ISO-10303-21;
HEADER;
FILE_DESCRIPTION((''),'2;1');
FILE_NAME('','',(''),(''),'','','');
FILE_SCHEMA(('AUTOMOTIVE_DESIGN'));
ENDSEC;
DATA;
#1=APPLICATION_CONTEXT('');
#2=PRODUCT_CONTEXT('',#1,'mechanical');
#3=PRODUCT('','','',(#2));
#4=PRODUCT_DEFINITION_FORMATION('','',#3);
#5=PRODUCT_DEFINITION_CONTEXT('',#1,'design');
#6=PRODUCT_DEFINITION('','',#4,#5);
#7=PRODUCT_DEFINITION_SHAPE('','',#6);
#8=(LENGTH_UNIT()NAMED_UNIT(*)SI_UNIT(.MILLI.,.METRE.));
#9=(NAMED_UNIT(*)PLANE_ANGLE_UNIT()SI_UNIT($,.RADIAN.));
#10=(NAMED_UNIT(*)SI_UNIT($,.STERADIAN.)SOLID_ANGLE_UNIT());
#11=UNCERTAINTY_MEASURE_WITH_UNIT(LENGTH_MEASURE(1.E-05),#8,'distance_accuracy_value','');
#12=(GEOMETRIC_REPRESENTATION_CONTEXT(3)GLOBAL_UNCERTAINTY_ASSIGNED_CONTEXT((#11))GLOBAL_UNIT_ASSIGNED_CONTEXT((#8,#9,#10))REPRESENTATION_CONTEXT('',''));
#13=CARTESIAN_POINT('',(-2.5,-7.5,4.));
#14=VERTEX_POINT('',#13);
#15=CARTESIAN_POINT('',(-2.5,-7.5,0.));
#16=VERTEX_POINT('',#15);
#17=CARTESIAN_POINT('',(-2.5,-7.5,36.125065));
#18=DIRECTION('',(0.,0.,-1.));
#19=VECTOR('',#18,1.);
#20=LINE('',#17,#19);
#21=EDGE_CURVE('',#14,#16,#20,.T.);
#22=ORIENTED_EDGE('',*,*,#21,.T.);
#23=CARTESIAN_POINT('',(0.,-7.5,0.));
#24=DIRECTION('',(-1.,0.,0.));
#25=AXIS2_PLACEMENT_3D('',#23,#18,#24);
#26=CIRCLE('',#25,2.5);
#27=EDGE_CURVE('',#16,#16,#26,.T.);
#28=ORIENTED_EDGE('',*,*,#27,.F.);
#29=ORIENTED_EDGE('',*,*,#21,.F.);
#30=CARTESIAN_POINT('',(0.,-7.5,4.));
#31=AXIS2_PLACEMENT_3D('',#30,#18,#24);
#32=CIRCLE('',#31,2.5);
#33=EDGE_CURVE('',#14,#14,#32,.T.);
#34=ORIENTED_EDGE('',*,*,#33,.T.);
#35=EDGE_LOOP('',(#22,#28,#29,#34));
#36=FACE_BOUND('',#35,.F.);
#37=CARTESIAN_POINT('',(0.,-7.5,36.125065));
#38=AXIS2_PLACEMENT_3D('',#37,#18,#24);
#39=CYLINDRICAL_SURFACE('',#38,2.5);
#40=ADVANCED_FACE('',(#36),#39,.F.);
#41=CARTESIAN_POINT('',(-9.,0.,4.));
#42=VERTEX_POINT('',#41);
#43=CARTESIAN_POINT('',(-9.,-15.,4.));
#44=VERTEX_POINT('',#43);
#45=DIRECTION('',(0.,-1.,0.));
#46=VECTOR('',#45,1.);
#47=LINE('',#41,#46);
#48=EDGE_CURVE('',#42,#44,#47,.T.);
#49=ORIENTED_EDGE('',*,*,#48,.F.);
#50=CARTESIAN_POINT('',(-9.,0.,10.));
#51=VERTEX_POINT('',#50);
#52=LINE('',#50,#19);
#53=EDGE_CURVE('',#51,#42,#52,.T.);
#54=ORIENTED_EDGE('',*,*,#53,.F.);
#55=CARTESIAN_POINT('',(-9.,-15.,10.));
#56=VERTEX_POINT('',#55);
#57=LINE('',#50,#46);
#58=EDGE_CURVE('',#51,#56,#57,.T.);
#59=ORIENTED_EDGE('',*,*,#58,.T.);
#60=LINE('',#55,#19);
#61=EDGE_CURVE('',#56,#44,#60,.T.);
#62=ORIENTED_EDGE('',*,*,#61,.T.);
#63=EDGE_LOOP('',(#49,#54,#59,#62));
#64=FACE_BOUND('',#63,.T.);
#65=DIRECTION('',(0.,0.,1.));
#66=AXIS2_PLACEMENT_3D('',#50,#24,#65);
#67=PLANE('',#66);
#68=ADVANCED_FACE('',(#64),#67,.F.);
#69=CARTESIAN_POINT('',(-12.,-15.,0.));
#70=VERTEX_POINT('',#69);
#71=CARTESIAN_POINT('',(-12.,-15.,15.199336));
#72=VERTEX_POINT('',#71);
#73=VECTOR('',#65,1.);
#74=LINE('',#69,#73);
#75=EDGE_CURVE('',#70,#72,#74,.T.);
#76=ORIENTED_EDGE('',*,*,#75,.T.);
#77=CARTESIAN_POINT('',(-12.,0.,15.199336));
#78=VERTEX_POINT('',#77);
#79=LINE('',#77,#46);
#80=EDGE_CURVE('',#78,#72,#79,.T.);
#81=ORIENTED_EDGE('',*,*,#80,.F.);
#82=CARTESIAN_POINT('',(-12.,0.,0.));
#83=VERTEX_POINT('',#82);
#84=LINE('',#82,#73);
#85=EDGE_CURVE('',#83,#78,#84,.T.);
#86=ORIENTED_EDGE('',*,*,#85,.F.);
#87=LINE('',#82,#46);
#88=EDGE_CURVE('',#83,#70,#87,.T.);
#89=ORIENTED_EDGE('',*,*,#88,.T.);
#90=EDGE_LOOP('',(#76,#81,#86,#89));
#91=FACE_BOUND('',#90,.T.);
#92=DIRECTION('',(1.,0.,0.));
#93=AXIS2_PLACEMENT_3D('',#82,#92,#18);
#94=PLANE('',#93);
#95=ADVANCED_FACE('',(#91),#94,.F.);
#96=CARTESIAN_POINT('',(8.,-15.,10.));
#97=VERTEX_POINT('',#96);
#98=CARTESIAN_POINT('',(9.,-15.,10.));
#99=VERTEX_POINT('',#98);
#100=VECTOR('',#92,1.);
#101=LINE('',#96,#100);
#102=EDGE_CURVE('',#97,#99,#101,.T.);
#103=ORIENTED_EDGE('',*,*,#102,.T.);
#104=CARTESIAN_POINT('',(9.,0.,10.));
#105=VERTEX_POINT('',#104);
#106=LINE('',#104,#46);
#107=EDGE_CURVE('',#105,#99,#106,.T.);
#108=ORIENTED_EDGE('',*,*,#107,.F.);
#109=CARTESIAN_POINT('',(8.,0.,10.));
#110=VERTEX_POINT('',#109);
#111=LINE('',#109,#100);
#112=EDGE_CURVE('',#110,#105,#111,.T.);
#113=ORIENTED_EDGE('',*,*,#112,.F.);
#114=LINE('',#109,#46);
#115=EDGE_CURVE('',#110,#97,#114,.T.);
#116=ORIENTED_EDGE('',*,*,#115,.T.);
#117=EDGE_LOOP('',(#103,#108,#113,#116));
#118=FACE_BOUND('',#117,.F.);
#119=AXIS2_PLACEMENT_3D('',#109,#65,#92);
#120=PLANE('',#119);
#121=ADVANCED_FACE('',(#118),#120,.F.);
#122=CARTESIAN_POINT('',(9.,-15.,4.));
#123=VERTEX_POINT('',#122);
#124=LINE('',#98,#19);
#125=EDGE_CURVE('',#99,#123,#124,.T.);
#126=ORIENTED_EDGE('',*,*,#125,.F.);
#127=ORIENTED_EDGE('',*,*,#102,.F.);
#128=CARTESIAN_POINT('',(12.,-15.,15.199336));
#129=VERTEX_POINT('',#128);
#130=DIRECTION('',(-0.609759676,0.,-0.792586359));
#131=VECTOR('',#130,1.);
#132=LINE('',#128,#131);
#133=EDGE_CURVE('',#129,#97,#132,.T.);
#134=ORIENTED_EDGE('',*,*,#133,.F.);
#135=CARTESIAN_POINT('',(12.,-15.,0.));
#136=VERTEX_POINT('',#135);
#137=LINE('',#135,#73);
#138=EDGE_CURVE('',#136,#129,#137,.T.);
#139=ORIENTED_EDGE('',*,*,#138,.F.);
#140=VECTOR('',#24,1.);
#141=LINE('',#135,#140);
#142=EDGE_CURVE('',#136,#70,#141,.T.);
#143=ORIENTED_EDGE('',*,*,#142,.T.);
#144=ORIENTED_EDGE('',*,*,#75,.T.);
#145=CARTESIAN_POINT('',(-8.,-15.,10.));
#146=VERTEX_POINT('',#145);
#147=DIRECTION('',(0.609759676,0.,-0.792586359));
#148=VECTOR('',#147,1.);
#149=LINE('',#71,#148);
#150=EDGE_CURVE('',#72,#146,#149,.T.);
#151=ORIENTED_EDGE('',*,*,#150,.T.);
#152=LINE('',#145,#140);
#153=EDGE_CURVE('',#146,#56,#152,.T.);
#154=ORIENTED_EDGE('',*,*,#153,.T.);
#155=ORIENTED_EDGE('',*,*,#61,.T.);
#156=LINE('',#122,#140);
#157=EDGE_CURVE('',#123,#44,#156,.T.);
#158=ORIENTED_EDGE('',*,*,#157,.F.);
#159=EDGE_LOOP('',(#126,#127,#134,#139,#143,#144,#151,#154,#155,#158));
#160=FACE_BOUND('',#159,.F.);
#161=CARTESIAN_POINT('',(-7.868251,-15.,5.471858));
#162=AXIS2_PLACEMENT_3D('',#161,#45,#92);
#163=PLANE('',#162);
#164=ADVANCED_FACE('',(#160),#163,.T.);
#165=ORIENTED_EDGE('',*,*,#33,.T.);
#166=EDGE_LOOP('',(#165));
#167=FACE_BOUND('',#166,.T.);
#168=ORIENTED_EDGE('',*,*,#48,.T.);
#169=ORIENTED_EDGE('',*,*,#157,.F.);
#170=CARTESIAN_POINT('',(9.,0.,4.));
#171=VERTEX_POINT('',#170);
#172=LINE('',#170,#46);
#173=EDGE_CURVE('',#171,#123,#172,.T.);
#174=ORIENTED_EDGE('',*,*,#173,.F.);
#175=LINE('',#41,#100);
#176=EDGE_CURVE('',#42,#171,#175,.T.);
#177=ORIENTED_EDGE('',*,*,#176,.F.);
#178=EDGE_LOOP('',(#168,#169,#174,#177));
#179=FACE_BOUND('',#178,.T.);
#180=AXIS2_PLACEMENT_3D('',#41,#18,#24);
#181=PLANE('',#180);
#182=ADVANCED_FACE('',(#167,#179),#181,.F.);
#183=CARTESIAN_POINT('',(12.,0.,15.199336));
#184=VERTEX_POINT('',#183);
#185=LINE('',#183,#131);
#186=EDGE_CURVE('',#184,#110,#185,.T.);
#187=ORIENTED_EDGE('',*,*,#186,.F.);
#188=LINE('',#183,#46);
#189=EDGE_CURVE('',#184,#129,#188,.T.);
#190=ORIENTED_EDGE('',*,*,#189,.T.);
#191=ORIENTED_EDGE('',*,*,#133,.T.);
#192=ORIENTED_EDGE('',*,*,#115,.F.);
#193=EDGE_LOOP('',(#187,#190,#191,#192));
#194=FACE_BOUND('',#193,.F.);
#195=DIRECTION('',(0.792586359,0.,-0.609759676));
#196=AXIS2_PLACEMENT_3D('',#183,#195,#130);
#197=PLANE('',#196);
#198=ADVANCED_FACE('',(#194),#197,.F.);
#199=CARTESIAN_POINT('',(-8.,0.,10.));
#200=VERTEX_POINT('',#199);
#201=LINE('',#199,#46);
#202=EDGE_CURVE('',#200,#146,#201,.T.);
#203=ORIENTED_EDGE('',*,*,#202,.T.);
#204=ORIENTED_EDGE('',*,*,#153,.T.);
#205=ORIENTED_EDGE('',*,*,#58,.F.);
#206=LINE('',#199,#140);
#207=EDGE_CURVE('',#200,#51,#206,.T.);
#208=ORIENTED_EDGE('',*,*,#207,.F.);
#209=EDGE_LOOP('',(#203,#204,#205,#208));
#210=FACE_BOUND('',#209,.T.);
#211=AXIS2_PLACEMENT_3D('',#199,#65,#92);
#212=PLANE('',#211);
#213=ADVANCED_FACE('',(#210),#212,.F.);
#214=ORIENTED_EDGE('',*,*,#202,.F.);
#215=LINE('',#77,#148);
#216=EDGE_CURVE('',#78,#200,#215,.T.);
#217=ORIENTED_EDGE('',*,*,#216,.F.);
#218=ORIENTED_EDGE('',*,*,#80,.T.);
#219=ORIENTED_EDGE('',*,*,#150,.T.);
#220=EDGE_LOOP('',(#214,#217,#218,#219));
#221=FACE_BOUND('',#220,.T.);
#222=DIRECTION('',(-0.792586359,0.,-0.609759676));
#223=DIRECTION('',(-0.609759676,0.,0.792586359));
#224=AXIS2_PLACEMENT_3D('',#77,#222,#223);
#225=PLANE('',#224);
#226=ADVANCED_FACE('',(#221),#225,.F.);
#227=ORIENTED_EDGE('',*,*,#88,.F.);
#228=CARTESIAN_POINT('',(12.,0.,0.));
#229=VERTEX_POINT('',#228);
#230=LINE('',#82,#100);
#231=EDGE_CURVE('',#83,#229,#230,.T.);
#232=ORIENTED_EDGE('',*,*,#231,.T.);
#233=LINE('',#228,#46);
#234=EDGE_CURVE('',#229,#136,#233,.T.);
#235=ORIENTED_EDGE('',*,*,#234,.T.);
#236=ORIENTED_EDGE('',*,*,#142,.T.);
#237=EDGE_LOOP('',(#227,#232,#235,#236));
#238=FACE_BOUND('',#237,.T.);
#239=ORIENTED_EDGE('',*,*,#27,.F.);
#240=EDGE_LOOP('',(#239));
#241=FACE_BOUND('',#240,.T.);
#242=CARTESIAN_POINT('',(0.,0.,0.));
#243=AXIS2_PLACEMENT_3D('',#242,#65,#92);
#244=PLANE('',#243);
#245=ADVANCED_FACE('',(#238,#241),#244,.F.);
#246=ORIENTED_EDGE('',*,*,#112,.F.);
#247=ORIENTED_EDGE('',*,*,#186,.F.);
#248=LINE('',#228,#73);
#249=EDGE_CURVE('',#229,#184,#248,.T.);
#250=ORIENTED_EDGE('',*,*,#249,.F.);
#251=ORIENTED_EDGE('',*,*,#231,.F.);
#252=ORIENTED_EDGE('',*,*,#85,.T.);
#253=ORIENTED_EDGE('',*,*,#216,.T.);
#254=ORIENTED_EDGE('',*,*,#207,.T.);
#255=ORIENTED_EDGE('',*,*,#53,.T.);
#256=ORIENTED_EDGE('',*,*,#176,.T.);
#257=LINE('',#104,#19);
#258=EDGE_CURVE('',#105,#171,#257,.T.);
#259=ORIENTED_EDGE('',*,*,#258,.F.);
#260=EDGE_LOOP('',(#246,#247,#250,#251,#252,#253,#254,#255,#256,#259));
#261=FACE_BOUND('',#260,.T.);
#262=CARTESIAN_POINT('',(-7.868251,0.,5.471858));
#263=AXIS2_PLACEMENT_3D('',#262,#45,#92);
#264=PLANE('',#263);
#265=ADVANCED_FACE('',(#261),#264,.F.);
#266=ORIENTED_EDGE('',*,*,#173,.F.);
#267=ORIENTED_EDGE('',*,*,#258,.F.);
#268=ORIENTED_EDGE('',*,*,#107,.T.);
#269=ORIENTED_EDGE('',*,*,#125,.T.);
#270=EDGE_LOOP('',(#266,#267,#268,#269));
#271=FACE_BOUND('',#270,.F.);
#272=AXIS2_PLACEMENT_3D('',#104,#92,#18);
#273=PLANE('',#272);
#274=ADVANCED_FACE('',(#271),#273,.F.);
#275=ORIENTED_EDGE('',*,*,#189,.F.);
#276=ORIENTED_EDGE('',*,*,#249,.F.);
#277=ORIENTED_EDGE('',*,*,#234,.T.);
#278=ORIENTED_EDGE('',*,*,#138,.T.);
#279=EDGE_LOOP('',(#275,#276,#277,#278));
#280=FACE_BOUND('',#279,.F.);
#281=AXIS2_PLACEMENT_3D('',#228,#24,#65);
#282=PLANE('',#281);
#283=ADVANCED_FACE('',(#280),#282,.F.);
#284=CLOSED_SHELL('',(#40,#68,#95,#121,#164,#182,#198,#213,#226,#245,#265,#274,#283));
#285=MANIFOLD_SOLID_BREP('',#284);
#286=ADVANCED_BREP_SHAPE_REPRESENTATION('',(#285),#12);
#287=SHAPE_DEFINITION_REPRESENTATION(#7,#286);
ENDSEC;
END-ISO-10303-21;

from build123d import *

# Parameters (mm, degrees)
F1_DEPTH = 15
F4_D     = 5


with BuildPart() as f1:
    # F0 (on Front) → F1 (new body)
    with BuildSketch(Plane.XZ):
        Polygon((0, 0), (12, 0), (12, 15.199336), (8, 10), (9, 10), (9, 4), (0, 4), align=None)
    extrude(amount=F1_DEPTH)

    # F2: F1 across face


with BuildPart() as f1_1:
    add(f1.part)
    add(f1.part.mirror(Plane(origin=(0, -7.5, 2), x_dir=(0, -1, 0), z_dir=(-1, 0, 0))))

    # F4 (through all)
    with Locations(Plane.XY.offset(4)):
        with Locations((0, -7.5)):
            Hole(F4_D / 2)


solid = f1_1.part
